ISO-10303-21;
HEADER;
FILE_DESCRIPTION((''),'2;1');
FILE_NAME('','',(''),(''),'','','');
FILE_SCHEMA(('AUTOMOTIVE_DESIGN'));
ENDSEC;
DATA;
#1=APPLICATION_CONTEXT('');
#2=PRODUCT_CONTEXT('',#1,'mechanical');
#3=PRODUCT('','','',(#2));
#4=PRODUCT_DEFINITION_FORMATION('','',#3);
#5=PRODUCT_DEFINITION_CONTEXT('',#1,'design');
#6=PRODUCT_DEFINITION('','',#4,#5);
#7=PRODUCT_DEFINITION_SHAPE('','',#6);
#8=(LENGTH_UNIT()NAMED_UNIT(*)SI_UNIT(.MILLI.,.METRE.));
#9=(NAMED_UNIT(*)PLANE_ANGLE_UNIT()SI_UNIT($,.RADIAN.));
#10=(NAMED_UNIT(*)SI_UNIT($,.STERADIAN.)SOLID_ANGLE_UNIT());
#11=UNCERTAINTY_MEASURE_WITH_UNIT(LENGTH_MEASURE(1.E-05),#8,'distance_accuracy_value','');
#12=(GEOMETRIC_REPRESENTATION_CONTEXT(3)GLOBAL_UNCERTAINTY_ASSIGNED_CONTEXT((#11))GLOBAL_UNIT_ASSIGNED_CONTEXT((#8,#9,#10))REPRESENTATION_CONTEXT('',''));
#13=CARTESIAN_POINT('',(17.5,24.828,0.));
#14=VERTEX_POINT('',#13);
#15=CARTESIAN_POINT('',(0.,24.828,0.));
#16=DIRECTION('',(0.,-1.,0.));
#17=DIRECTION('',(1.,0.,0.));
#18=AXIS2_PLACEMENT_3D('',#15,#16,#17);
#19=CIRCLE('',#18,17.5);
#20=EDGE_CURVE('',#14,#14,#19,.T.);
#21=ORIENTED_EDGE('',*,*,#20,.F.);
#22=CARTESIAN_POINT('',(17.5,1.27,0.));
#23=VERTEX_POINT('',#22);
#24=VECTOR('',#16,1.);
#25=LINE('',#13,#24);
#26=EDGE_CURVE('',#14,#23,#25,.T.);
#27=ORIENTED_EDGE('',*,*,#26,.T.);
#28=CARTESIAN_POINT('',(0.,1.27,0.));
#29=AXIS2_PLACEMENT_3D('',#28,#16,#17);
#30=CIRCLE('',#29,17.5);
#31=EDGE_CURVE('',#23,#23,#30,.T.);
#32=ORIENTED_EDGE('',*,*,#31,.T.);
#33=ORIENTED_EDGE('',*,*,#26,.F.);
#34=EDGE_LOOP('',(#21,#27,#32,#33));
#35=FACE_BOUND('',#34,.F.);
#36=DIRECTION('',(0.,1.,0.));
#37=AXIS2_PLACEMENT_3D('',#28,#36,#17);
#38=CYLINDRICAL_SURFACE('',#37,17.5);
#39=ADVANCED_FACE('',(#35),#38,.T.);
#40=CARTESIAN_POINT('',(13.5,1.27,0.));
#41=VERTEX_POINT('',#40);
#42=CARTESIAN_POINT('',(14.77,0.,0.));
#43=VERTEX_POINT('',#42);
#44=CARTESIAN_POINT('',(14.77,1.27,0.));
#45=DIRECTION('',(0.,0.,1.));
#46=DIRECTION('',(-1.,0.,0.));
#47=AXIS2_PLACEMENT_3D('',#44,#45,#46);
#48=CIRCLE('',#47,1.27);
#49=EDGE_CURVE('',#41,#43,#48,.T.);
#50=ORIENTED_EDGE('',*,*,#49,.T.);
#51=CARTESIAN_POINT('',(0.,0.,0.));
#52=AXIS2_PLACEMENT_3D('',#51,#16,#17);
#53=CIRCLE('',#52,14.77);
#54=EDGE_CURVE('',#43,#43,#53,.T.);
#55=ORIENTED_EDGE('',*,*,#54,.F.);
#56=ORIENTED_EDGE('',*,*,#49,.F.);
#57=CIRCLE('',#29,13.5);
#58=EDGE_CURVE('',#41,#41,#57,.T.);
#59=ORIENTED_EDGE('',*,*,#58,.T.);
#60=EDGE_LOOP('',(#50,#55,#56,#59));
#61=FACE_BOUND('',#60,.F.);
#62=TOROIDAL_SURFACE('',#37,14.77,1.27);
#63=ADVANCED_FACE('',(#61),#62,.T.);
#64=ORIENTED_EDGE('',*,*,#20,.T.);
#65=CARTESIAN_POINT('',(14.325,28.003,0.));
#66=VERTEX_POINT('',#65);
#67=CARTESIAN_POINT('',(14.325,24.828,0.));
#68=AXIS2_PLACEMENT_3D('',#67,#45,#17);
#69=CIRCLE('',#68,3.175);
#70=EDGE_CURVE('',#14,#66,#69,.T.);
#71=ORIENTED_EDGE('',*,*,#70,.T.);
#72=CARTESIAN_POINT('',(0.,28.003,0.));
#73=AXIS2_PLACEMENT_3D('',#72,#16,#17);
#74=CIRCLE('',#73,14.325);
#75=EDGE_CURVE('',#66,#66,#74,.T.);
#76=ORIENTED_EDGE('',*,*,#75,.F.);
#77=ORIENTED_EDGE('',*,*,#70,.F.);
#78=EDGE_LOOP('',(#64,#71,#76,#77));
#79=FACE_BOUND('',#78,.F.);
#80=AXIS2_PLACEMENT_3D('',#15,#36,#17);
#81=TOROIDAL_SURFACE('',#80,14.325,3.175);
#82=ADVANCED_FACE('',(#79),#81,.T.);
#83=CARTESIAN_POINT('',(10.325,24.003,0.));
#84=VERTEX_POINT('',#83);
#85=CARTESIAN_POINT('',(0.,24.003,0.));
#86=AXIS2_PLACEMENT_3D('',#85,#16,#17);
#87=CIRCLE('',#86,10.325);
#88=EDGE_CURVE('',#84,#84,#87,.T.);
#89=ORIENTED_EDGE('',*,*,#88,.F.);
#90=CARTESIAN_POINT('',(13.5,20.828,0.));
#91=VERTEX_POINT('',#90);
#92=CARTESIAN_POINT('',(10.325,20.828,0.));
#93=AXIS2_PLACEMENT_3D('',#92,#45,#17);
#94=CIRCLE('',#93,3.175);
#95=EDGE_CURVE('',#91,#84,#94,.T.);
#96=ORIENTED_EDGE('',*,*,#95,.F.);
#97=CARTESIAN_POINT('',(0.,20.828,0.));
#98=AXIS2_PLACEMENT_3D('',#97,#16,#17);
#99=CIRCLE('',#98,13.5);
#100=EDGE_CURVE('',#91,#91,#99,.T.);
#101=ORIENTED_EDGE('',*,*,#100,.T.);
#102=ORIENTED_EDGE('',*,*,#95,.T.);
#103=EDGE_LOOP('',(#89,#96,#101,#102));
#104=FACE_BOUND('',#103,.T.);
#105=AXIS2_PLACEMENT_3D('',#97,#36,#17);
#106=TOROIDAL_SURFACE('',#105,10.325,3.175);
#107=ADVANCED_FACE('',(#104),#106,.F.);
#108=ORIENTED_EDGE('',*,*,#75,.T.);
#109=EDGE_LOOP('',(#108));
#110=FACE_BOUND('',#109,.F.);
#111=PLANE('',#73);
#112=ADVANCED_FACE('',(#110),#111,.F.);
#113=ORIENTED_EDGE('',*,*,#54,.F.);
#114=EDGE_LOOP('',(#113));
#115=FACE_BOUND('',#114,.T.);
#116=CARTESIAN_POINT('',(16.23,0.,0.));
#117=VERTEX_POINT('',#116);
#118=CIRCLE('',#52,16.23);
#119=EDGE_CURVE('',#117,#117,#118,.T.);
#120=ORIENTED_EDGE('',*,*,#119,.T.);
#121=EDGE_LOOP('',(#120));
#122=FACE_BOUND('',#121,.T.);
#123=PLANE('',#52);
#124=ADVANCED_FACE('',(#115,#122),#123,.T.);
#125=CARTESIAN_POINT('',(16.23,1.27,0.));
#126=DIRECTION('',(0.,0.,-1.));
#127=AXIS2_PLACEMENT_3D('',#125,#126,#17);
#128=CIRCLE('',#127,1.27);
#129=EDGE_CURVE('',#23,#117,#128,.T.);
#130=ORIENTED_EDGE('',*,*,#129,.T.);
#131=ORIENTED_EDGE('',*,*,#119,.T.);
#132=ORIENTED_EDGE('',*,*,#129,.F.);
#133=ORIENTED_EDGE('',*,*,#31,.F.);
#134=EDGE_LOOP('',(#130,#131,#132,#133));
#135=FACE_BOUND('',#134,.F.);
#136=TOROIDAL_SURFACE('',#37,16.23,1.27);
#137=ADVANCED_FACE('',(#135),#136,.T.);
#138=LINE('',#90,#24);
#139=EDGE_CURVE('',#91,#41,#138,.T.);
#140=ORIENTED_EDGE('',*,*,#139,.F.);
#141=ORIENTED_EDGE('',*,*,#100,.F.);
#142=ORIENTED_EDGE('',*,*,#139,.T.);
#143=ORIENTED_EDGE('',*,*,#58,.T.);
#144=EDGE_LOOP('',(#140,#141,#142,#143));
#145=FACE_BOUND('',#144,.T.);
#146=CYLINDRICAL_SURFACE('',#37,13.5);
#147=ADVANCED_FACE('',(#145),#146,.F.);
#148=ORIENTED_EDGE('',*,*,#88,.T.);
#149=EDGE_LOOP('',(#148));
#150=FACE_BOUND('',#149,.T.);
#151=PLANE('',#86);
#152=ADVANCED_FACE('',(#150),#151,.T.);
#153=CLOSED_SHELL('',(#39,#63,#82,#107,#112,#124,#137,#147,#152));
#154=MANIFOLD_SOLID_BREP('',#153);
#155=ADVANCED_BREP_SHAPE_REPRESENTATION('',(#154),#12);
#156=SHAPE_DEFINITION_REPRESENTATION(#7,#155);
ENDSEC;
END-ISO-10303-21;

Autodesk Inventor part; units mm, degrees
ref_plane "YZ Plane" through (0, 0, 0) normal (1, 0, 0) x (0, 1, 0)
ref_plane "XZ Plane" through (0, 0, 0) normal (0, 1, 0) x (-1, 0, 0)
ref_plane "XY Plane" through (0, 0, 0) normal (0, 0, 1) x (1, 0, 0)
sketch "Boceto1" plane through (0, 0, 0) normal (0, 0, 1) x (1, 0, 0)
  circle A0 centre (0, 0) radius 13.5
  circle A1 centre (0, 0) radius 17.5
  line L0 (17.5, 1.27) -> (17.5, 24.003)
  line L1 (13.5, 1.27) -> (13.5, 20.828)
  line L2 (10.325, 24.003) -> (0, 24.003)
  line L3 (17.5, 24.003) -> (17.5, 24.828)
  line L4 (14.325, 28.003) -> (0, 28.003)
  line L5 (0, 28.003) -> (0, 0)
  arc A2 (17.5, 24.828) -> (14.325, 28.003) centre (14.325, 24.828) ccw
  arc A3 (13.5, 20.828) -> (10.325, 24.003) centre (10.325, 20.828) ccw
  line L6 (16.23, 0) -> (14.77, 0)
  arc A4 (16.23, 0) -> (17.5, 1.27) centre (16.23, 1.27) ccw
  arc A5 (13.5, 1.27) -> (14.77, 0) centre (14.77, 1.27) ccw
  point P0 (17.5, 0)
  point P1 (13.5, 0)
  point P2 (17.5, 28.003)
  dimension "d0" = 27
  dimension "d1" = 35
  dimension "d2" = 24.003
  dimension "d3" = 4
  dimension "d4" = 3.175
  dimension "d5" = 1.27
revolve "Revolución1" add sketch "Boceto1" angle 360 about axis through (0, 28.003, 0) along (0, -1, 0) picked at (14.1771, 6.8232) contours L1 A3 L2 L5 L4 A2 L3 L0 A4 A1 | A1 A4 L6 A5 L1
properties part number "tapap"
